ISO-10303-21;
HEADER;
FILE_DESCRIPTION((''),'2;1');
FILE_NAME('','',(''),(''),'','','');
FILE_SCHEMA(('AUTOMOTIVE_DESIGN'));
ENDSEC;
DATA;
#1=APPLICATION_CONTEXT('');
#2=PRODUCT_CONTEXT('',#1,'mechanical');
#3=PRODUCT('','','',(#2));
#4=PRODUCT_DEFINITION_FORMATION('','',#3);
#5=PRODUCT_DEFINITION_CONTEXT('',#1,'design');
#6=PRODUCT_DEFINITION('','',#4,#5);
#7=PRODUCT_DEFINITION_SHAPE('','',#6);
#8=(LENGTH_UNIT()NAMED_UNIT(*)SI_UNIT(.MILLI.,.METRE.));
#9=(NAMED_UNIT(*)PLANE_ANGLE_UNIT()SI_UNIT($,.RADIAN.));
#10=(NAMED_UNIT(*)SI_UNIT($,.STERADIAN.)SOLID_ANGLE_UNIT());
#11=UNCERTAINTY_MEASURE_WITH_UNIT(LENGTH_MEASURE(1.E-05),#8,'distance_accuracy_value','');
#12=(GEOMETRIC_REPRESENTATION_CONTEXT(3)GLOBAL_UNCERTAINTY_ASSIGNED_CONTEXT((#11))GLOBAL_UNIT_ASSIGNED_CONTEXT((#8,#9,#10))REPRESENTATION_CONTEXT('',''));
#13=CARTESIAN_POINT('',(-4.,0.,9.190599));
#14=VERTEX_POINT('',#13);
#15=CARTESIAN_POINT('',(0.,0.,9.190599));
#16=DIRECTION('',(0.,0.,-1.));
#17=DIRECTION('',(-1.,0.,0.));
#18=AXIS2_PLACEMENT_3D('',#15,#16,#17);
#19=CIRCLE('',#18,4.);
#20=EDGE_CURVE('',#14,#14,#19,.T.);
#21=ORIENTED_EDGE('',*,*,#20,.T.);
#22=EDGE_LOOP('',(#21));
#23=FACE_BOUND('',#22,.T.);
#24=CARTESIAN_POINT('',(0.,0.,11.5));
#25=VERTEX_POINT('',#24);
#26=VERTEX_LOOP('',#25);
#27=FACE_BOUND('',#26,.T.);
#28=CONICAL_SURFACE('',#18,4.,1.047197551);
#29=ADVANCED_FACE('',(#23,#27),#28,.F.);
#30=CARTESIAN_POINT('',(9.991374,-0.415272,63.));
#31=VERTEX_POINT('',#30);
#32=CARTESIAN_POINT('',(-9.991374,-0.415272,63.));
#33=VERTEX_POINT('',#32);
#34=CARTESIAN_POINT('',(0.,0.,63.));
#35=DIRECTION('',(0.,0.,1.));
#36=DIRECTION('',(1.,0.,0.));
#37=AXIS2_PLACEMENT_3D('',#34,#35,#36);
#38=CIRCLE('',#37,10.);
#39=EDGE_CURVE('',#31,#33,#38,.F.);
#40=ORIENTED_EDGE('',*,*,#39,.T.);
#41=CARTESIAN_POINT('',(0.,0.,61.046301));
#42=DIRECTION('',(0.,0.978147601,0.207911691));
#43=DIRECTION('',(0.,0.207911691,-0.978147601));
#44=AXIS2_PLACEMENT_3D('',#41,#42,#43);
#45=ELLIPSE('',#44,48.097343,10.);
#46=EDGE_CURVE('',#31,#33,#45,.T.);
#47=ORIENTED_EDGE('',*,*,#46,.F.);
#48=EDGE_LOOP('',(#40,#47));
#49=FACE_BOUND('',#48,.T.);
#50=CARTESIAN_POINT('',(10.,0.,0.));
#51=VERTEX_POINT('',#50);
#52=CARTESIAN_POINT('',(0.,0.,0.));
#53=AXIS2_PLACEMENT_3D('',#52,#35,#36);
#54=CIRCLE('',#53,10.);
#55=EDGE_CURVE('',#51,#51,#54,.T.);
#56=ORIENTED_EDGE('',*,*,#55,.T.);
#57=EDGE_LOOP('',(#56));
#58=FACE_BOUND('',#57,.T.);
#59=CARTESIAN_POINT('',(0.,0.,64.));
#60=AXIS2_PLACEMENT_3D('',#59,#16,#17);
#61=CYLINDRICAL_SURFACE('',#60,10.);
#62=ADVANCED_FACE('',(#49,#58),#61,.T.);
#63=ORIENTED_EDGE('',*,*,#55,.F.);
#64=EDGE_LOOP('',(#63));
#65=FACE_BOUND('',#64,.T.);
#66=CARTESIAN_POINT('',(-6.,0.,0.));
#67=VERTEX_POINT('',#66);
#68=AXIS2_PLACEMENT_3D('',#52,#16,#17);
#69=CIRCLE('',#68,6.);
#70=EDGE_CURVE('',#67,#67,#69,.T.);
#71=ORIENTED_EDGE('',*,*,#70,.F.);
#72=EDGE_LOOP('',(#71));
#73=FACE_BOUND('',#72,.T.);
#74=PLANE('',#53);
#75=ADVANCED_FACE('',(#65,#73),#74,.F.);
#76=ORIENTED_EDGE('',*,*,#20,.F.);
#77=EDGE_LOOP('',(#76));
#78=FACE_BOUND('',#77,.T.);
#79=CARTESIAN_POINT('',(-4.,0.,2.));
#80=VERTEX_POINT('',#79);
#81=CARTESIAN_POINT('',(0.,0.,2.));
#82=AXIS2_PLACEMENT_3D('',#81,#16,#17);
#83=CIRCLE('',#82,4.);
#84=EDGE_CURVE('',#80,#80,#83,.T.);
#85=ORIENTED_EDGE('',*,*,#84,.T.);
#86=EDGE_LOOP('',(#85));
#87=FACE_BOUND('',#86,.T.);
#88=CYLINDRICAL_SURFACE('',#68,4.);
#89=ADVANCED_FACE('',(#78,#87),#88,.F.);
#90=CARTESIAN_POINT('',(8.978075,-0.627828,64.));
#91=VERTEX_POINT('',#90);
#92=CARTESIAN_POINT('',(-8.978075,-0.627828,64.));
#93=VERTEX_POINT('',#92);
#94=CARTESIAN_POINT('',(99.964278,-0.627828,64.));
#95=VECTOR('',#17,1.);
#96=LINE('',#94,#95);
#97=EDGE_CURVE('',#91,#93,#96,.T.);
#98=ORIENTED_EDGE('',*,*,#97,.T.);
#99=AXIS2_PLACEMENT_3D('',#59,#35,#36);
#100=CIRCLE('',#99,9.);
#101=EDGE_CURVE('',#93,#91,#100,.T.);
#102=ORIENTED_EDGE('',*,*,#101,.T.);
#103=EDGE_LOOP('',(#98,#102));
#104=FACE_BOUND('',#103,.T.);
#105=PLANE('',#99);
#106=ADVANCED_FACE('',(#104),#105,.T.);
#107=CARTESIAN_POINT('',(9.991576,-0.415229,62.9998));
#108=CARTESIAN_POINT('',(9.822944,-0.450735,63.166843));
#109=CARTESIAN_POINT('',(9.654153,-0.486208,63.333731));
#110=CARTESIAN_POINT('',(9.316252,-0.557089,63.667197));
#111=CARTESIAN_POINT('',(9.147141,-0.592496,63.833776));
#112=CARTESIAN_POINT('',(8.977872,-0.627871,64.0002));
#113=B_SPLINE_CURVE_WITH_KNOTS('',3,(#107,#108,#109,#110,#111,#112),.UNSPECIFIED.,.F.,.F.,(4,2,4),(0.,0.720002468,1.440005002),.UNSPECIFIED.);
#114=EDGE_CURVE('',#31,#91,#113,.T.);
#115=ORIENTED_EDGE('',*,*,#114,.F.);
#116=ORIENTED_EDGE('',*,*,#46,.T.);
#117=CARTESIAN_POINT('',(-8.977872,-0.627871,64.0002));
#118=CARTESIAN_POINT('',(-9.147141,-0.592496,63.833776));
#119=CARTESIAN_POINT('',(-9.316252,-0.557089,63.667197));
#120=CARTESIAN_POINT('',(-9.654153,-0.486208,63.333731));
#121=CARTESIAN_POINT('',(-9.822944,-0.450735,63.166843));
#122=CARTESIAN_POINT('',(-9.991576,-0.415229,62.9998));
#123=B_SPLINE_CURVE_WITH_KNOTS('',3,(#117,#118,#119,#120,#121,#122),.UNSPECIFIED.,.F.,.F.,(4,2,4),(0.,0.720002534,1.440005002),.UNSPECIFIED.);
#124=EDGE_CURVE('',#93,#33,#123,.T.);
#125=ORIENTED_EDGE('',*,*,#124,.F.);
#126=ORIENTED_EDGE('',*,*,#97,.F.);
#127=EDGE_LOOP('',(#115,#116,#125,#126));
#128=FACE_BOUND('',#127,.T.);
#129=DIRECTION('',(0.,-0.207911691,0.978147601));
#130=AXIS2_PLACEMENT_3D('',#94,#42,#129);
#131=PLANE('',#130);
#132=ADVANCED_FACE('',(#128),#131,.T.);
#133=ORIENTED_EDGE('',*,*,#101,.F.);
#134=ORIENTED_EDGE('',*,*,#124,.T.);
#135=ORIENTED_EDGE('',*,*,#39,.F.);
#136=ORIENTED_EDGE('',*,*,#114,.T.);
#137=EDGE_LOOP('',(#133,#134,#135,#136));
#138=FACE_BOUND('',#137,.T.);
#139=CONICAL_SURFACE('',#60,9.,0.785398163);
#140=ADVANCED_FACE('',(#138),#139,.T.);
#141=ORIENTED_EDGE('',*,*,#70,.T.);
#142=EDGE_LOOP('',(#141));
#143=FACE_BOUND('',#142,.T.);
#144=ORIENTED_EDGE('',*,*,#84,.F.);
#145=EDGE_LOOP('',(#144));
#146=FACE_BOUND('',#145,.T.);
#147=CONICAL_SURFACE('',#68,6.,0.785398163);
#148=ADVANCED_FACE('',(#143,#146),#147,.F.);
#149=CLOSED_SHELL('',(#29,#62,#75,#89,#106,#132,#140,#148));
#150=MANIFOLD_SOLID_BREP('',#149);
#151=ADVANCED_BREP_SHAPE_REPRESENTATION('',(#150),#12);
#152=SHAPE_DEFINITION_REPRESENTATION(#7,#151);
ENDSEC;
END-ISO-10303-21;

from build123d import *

# Parameters (mm, degrees)
SKETCH_1_R               = 10
EXTRUDE_1_DEPTH          = 64
CHAMFER_1_SIZE           = 1
CUT_EXTRUDE_1_DEPTH      = 66.543878433
CUT_EXTRUDE_1_DEPTH_BACK = 66.543878433
F_8_0MM_1_D              = 8
F_8_0MM_1_DEPTH          = 9.190598923
F_8_0MM_1_CSINK_D        = 12
F_8_0MM_1_CSINK_ANGLE    = 90
F_8_0MM_1_TIP            = 2.309401077


with BuildPart() as part:
    # 草图1 → 凸台-拉伸1 (new body)
    with BuildSketch(Plane.XY):
        Circle(SKETCH_1_R)
    extrude(amount=EXTRUDE_1_DEPTH)

    # 倒角1
    chamfer_1_edges = [part.edges().sort_by_distance(p)[0] for p in [
        (-10, 0, 64),
    ]]
    chamfer(chamfer_1_edges, length=CHAMFER_1_SIZE)

    # 草图2 → 切除-拉伸1 (cut, two sides: drawn at the far end of the back side and taken through both)
    with BuildSketch(Plane(origin=(0, 0, 0), x_dir=(0, 0, -1), z_dir=(1, 0, 0)).offset(-CUT_EXTRUDE_1_DEPTH_BACK)):
        Polygon((-200.698918074, -29.684080093), (-64, -0.627828084), (-14, 10), (122.698918074, 39.05625201), (64.586414054, 312.454088158), (-258.811422094, 243.713756055), align=None)
    extrude(amount=CUT_EXTRUDE_1_DEPTH + CUT_EXTRUDE_1_DEPTH_BACK, mode=Mode.SUBTRACT)

    # Ø8.0mm 暗销孔1
    with Locations(Plane(origin=(0, 0, 0), x_dir=(-1, 0, 0), z_dir=(0, 0, -1))):
        with Locations((0, 0)):
            CounterSinkHole(F_8_0MM_1_D / 2, F_8_0MM_1_CSINK_D / 2, depth=F_8_0MM_1_DEPTH, counter_sink_angle=F_8_0MM_1_CSINK_ANGLE)
            with Locations((0, 0, -(F_8_0MM_1_DEPTH + F_8_0MM_1_TIP / 2))):  # 120° drill point
                Cone(0, F_8_0MM_1_D / 2, F_8_0MM_1_TIP, mode=Mode.SUBTRACT)


solid = part.part
